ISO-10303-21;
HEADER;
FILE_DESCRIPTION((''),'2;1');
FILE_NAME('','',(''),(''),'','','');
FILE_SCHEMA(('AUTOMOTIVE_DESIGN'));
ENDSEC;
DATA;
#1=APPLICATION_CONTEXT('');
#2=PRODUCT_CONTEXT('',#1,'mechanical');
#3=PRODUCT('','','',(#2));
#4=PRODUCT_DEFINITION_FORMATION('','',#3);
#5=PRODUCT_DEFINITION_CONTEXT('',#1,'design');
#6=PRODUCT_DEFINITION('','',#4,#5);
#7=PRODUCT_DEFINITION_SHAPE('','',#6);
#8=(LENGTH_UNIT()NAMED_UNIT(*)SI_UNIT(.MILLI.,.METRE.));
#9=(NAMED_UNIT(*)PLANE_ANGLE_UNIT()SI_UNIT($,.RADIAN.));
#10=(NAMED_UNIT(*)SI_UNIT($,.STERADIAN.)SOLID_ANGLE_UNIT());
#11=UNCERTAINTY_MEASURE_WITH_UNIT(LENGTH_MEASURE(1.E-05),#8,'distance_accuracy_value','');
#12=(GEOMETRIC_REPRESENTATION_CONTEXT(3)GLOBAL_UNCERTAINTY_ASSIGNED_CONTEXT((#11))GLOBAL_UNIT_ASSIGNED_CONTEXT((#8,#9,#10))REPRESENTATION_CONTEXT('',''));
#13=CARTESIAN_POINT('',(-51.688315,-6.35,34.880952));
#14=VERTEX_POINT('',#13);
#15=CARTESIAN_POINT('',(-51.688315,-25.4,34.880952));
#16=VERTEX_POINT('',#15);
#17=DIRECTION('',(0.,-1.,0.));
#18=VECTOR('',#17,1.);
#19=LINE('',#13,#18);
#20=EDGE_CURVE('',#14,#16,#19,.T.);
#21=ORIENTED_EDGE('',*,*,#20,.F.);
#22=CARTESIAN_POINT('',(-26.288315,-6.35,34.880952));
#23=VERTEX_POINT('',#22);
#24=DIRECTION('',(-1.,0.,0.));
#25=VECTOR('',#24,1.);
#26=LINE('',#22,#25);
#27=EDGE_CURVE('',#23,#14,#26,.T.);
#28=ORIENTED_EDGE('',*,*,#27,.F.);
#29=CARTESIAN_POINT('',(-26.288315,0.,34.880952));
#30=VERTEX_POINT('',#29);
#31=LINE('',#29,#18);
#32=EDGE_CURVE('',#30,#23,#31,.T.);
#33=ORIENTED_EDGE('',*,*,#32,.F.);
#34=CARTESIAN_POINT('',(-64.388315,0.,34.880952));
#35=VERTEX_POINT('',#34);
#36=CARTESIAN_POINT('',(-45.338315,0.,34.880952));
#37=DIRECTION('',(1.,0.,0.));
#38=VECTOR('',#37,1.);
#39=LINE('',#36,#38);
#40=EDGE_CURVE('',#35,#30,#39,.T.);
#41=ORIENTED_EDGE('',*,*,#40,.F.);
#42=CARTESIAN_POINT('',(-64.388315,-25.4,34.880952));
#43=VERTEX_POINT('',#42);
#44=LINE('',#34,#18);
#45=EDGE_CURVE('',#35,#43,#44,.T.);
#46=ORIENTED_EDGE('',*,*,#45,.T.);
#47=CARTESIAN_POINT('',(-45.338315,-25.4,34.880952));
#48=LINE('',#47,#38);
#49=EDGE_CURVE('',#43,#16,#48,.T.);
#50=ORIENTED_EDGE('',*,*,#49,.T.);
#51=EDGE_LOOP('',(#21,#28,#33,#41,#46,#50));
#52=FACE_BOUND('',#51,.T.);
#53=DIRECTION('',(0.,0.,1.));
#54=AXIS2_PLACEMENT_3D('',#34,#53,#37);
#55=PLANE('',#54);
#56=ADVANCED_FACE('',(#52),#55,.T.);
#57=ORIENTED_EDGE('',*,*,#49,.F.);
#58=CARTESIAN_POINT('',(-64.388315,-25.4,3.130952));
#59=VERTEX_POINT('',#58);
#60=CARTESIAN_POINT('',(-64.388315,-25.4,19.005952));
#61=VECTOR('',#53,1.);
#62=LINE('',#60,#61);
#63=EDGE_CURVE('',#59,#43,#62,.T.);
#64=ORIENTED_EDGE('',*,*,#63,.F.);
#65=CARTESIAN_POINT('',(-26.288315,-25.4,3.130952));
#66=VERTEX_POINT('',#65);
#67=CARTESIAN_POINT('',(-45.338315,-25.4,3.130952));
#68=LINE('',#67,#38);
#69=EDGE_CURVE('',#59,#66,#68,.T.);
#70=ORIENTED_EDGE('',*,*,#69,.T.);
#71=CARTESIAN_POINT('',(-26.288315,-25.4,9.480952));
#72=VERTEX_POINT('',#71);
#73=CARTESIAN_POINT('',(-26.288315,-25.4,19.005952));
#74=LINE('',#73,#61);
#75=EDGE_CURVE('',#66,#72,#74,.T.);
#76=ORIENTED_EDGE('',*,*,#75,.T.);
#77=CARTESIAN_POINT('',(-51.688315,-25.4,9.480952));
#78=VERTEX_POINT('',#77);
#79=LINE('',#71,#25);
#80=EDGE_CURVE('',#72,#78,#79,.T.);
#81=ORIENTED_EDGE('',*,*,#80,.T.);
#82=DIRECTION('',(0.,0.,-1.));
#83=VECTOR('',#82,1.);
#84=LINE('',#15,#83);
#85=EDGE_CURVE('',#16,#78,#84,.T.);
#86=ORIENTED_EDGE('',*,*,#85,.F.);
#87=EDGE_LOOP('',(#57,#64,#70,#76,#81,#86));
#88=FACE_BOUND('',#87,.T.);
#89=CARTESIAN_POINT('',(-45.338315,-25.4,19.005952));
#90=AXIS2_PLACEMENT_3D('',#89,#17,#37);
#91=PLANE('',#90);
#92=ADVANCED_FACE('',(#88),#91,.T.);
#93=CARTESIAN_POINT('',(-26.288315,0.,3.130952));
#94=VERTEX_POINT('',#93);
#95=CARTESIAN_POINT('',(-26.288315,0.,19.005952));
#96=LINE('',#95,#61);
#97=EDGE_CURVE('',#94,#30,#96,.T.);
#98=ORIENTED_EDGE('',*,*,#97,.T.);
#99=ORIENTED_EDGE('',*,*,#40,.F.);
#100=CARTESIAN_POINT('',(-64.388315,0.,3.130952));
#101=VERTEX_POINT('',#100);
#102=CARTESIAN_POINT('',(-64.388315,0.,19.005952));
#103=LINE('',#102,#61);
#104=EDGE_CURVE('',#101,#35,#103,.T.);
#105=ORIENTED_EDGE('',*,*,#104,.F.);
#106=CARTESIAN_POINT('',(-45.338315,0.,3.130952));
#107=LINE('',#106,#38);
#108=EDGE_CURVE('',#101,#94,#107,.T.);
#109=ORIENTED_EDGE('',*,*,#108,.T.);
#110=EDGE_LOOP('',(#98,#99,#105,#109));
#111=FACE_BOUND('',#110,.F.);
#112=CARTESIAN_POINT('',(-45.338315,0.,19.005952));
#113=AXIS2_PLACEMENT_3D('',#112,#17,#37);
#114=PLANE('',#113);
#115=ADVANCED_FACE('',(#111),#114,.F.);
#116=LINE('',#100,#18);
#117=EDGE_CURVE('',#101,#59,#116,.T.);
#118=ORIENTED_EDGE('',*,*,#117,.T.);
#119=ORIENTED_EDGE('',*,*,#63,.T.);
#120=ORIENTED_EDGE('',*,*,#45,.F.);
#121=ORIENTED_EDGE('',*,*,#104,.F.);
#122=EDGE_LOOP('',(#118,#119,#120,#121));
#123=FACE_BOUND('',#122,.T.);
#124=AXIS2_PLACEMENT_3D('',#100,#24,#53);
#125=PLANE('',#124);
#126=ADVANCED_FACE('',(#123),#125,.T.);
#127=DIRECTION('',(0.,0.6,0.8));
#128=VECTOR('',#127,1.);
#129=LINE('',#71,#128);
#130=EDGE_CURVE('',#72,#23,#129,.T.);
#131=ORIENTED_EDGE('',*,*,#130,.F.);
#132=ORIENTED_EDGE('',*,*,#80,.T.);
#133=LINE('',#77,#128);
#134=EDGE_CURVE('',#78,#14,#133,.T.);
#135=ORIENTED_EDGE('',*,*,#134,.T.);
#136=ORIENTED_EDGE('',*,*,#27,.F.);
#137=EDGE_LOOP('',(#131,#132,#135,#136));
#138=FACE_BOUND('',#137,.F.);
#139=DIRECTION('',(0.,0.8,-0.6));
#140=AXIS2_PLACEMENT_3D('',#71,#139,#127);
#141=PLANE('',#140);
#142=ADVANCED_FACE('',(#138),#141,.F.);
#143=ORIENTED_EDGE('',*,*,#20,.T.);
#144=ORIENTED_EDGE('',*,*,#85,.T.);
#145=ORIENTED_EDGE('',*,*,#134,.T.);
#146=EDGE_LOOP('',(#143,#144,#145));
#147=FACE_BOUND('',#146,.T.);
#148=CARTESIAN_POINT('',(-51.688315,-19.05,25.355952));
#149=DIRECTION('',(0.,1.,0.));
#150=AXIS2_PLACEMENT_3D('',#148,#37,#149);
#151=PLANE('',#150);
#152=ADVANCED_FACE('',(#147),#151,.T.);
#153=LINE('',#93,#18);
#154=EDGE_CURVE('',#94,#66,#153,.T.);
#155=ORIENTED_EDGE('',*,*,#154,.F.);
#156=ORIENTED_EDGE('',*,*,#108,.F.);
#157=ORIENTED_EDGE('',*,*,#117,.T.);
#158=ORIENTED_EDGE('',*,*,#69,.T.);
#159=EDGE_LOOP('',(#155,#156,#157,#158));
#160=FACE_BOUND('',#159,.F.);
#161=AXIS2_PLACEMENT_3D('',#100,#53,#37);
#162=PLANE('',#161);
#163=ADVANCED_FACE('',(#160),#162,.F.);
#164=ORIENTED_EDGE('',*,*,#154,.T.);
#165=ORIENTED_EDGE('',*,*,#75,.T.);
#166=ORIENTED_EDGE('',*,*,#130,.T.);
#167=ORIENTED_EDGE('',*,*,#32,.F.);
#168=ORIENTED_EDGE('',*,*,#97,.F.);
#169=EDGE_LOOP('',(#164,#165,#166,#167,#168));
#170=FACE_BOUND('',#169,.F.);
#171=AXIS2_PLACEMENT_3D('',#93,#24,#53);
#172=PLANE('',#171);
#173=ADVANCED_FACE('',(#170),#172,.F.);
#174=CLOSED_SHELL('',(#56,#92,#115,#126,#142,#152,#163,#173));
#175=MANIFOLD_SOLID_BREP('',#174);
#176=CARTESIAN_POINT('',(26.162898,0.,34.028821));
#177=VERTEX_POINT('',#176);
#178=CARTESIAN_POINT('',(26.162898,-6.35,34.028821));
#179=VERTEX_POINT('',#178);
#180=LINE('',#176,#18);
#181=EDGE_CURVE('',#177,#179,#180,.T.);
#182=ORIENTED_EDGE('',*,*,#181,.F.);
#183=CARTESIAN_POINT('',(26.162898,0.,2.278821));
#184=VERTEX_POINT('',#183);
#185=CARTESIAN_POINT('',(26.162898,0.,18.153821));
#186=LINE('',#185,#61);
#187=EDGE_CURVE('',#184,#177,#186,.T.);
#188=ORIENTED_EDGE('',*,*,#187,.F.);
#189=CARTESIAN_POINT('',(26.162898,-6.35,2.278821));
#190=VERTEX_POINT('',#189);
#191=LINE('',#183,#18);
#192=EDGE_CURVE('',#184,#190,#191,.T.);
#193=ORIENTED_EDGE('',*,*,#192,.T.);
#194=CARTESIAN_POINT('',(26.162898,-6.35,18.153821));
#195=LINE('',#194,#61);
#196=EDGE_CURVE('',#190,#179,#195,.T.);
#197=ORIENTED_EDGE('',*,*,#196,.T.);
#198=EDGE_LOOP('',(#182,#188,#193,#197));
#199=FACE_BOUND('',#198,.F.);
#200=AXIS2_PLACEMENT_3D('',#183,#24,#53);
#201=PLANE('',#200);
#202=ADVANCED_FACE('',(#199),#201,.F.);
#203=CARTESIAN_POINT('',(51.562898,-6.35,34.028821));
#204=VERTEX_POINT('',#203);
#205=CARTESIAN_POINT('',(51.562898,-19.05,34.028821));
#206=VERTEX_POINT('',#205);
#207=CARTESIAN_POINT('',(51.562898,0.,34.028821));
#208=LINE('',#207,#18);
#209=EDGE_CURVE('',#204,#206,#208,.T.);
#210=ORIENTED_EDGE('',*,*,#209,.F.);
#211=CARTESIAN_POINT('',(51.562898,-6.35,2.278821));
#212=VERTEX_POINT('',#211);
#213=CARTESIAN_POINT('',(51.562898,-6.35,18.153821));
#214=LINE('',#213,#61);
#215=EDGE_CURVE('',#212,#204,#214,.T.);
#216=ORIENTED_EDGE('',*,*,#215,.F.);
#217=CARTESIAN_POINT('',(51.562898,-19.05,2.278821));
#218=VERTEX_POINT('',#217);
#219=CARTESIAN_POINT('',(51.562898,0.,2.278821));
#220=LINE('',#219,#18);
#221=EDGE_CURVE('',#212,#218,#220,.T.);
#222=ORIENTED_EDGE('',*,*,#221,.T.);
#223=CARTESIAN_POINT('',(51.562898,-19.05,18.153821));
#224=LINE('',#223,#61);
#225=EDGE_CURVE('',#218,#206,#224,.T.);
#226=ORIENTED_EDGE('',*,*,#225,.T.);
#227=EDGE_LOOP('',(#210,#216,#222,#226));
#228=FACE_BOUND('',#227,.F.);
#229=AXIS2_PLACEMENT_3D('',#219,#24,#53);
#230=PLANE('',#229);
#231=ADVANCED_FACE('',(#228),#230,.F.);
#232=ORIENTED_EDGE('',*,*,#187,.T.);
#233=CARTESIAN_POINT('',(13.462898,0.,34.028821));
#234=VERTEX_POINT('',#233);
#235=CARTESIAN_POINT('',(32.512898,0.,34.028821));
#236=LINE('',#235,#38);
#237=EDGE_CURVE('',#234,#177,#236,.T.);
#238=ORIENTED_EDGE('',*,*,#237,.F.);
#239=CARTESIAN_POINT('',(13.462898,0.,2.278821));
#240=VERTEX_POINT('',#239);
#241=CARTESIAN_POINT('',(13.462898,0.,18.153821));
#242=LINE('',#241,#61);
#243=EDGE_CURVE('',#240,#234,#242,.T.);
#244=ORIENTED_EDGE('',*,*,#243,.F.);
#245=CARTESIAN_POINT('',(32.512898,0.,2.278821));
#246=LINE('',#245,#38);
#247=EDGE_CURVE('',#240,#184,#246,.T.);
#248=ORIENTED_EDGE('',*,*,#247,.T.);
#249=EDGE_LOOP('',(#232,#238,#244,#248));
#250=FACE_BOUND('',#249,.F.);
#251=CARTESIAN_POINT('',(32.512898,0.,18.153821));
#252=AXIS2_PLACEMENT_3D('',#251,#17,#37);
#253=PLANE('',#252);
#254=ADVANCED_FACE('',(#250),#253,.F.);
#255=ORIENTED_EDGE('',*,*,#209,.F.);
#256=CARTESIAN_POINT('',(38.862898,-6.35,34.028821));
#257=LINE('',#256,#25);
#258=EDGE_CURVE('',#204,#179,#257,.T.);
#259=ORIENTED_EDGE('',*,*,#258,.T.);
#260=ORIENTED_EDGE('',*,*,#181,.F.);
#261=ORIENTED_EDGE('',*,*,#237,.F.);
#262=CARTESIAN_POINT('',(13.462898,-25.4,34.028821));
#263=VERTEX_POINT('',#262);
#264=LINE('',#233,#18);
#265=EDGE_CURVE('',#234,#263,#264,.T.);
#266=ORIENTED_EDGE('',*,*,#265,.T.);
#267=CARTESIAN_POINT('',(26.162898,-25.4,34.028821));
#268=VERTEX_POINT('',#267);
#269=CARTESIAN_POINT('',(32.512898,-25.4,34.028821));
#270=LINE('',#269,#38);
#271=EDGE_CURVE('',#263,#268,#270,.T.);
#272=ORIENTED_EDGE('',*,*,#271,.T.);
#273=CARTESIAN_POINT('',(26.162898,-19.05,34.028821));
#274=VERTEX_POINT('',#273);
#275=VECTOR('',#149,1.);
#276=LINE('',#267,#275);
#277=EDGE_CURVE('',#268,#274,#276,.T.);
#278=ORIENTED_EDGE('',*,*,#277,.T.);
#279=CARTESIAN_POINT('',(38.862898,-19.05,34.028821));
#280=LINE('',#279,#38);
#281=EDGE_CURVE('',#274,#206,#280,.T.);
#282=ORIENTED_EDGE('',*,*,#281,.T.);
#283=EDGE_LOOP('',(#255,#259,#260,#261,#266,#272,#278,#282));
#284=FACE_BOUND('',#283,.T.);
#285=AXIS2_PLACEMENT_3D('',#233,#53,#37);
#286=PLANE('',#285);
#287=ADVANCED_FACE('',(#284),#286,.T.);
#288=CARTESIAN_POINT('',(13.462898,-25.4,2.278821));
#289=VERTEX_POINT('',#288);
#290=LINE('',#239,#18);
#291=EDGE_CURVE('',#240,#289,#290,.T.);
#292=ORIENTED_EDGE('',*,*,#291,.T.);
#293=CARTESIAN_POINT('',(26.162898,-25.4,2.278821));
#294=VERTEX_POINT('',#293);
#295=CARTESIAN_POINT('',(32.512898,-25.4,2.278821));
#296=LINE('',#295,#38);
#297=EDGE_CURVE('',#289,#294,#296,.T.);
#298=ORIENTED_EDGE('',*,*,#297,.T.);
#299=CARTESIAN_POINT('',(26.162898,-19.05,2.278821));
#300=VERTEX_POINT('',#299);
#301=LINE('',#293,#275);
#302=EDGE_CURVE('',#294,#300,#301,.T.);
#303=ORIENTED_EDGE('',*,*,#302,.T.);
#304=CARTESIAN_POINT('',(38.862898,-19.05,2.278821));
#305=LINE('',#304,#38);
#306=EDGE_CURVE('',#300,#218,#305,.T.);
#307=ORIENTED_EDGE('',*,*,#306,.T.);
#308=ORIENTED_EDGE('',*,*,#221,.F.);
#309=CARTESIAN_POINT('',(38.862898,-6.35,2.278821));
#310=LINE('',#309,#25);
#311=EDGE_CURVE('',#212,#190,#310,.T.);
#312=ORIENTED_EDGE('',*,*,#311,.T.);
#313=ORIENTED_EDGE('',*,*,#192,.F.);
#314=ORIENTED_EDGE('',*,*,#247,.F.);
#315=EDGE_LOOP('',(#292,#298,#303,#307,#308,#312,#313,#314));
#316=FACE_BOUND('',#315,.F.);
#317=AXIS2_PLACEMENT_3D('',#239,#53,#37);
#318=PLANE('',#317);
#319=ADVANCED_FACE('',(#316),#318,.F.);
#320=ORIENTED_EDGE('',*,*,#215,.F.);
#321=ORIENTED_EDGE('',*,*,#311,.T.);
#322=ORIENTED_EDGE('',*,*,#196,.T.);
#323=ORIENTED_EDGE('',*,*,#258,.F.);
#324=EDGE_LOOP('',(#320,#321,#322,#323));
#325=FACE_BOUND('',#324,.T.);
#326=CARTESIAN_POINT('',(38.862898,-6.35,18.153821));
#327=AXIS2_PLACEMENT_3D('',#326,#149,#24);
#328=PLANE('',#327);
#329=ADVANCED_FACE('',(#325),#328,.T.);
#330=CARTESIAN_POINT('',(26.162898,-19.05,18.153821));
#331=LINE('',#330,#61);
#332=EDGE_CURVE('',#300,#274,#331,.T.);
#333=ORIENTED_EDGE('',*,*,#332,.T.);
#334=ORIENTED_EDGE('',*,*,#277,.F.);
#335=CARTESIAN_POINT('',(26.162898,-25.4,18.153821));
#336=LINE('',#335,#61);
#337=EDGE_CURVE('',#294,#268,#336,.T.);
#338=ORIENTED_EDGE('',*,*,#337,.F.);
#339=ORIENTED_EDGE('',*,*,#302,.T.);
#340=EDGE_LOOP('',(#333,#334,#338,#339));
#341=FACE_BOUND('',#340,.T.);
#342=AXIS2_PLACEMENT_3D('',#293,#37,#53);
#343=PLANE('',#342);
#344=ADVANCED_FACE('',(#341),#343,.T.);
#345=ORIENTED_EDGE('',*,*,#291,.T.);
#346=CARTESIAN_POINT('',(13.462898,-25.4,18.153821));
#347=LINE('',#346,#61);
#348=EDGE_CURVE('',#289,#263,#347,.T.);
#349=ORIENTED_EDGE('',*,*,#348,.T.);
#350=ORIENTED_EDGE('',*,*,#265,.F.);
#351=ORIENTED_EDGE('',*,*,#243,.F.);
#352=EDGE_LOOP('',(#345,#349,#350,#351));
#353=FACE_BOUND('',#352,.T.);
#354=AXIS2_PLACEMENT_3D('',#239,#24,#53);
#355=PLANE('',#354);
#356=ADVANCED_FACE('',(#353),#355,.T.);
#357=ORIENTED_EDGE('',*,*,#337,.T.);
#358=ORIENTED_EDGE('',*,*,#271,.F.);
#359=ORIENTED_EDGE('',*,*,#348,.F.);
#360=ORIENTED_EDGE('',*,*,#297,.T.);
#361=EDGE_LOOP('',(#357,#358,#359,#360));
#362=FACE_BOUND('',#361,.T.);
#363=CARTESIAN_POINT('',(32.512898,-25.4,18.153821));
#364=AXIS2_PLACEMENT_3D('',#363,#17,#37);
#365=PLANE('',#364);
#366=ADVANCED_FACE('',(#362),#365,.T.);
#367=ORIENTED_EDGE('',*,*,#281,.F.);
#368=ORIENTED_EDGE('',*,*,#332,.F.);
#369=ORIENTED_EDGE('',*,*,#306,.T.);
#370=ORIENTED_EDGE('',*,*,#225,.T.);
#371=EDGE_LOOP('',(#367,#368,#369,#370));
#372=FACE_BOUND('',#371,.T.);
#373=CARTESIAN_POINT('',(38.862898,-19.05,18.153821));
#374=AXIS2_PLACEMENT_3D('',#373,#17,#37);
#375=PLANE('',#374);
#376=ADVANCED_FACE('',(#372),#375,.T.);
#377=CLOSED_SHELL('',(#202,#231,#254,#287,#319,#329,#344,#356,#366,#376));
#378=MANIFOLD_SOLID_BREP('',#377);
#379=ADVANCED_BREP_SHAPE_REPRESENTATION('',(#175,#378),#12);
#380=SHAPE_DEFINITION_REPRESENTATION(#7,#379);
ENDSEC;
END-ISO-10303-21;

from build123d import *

# Parameters (mm, degrees)
F0_W     = 38.1
F0_H     = 31.75
F1_DEPTH = 25.4
F3_DEPTH = 25.4
F4_W     = 38.1
F4_H     = 31.75
F5_DEPTH = 25.4
F6_W     = 25.4
F6_H     = 31.75
F7_DEPTH = 6.35
F8_W     = 25.4
F8_H     = 31.75
F9_DEPTH = 6.35


with BuildPart() as f1:
    # F0 (on Front) → F1 (new body)
    with BuildSketch(Plane.XZ):
        with Locations((-45.338315, 19.005952)):
            Rectangle(F0_W, F0_H)
    extrude(amount=F1_DEPTH)

    # F2 (on face) → F3 (cut)
    with BuildSketch(Plane.YZ.offset(-26.288315)):
        Polygon((-25.4, 9.480952), (-6.35, 34.880952), (-25.4, 34.880952), align=None)
    extrude(amount=-F3_DEPTH, mode=Mode.SUBTRACT)


with BuildPart() as f5:
    # F4 (on Front) → F5 (new body)
    with BuildSketch(Plane.XZ):
        with Locations((32.512898, 18.153821)):
            Rectangle(F4_W, F4_H)
    extrude(amount=F5_DEPTH)

    # F6 (on face) → F7 (cut)
    with BuildSketch(Plane.XZ.offset(25.4)):
        with Locations((38.862898, 18.153821)):
            Rectangle(F6_W, F6_H)
    extrude(amount=-F7_DEPTH, mode=Mode.SUBTRACT)

    # F8 (on face) → F9 (cut)
    with BuildSketch(Plane(origin=(0, 0, 0), x_dir=(-1, 0, 0), z_dir=(0, 1, 0))):
        with Locations((-38.862898, 18.153821)):
            Rectangle(F8_W, F8_H)
    extrude(amount=-F9_DEPTH, mode=Mode.SUBTRACT)


solid = Compound([f1.part, f5.part])
